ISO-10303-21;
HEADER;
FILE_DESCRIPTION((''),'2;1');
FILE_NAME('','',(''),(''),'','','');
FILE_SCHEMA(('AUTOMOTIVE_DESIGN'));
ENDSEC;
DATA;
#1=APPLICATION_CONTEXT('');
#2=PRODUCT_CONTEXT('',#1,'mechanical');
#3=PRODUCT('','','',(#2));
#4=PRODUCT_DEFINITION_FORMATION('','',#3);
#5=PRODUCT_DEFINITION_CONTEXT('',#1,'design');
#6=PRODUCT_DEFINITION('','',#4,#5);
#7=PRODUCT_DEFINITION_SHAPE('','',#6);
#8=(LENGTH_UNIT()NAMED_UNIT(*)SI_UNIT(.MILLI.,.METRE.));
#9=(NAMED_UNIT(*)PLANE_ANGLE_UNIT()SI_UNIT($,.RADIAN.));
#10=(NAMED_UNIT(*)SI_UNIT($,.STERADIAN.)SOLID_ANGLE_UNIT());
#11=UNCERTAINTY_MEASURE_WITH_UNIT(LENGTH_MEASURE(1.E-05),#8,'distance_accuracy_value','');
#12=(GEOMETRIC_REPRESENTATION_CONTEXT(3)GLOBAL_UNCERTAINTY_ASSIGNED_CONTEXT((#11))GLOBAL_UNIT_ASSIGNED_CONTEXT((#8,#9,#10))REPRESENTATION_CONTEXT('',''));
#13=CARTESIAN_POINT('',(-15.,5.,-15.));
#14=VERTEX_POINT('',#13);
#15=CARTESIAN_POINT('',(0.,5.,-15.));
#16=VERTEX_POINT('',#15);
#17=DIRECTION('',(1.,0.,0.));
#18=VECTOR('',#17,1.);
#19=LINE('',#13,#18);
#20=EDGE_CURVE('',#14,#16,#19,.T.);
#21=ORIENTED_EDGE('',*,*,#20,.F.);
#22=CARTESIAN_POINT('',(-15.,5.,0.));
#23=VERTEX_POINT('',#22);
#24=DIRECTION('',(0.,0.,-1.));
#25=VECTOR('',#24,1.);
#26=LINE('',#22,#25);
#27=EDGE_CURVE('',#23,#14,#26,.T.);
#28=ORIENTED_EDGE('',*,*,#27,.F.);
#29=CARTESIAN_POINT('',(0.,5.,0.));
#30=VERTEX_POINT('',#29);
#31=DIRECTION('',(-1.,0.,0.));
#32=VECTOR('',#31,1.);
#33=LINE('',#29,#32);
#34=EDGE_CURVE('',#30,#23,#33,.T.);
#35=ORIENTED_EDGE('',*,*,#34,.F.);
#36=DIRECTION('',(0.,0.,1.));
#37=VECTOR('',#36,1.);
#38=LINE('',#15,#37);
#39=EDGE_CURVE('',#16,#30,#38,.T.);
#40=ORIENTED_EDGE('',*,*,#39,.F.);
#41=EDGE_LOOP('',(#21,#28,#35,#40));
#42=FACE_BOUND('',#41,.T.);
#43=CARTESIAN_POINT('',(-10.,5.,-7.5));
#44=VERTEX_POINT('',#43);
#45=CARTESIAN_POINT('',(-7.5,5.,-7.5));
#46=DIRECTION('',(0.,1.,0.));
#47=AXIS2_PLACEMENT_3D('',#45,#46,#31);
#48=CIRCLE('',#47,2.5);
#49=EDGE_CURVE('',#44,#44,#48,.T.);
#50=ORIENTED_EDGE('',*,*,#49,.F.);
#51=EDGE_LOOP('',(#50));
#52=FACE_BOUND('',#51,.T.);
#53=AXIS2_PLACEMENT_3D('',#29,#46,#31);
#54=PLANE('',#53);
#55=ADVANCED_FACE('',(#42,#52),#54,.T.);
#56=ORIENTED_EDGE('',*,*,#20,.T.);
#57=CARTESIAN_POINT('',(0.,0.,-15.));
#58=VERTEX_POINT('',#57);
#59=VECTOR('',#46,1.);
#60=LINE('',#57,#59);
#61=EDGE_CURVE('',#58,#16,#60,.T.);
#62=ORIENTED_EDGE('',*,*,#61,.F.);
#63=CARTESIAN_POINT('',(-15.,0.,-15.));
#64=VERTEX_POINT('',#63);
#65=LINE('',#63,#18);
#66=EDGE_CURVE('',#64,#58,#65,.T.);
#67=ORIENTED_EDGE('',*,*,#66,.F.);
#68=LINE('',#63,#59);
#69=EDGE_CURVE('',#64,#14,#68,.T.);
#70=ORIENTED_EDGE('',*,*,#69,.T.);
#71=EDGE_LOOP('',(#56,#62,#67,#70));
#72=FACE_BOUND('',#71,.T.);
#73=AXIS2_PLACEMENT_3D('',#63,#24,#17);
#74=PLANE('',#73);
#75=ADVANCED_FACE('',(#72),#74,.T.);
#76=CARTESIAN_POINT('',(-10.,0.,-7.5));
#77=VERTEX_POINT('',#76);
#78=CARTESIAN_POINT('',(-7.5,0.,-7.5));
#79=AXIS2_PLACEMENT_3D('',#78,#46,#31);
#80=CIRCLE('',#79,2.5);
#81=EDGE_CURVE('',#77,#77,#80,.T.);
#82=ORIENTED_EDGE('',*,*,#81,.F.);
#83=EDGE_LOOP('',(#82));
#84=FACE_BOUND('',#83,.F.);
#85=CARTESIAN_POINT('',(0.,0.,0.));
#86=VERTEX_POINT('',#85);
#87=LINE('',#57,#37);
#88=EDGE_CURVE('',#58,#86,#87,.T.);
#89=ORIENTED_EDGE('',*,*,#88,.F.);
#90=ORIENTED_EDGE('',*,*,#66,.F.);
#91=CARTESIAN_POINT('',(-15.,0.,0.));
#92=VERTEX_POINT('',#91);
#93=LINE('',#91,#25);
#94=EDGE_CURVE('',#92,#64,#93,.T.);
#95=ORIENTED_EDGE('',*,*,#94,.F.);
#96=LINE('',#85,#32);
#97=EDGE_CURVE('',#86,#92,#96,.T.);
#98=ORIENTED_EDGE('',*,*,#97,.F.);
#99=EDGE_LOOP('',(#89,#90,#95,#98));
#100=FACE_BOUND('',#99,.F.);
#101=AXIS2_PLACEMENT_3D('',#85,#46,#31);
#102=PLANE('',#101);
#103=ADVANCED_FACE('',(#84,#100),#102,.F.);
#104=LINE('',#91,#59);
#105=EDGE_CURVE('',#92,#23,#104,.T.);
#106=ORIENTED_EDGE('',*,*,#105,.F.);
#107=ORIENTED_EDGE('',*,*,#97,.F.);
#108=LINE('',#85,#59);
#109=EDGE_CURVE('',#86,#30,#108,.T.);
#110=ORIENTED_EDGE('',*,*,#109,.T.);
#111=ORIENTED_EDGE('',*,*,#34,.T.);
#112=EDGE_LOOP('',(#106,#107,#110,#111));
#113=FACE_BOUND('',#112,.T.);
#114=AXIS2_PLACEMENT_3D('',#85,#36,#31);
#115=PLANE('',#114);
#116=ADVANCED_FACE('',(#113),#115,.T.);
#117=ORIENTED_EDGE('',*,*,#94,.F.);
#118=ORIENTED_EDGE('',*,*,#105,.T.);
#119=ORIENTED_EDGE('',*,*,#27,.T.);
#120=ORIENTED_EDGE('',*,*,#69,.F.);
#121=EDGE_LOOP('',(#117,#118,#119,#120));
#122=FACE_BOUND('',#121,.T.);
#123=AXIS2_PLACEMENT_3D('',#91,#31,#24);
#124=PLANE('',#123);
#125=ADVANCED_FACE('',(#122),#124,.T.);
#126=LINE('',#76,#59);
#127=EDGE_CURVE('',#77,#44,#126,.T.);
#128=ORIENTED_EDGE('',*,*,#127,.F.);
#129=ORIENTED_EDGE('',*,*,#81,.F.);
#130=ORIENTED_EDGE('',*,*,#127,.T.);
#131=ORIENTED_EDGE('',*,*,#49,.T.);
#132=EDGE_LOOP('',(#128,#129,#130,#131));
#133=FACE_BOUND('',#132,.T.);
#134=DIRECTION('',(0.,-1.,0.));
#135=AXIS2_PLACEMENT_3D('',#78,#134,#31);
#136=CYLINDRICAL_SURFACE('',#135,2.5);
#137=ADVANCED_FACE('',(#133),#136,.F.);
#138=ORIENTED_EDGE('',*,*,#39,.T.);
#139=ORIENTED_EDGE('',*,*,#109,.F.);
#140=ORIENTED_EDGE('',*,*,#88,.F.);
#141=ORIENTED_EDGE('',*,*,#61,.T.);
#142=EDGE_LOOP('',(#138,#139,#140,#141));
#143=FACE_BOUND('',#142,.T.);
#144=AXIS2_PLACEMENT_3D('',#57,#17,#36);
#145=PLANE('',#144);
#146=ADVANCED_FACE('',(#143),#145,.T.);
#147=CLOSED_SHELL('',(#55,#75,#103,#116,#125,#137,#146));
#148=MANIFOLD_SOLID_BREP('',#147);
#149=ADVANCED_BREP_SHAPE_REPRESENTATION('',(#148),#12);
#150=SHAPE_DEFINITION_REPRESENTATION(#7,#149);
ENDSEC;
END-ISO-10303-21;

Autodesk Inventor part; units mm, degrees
ref_plane "YZ Plane" through (0, 0, 0) normal (1, 0, 0) x (0, 1, 0)
ref_plane "XZ Plane" through (0, 0, 0) normal (0, 1, 0) x (-1, 0, 0)
ref_plane "XY Plane" through (0, 0, 0) normal (0, 0, 1) x (1, 0, 0)
sketch "Sketch2" plane through (0, 0, 0) normal (0, 1, 0) x (-1, 0, 0)
  line L0 (0, 0) -> (15, 0)
  line L1 (15, 0) -> (15, -15)
  line L2 (15, -15) -> (0, -15)
  line L3 (0, -15) -> (0, 0)
  circle A0 centre (7.5, -7.5) radius 2.5
  dimension "d5" = 15
  dimension "d6" = 15
  dimension "d7" = 5
extrude "Extrusion2" add sketch "Sketch2" along normal blind 5
properties part number "suw"
